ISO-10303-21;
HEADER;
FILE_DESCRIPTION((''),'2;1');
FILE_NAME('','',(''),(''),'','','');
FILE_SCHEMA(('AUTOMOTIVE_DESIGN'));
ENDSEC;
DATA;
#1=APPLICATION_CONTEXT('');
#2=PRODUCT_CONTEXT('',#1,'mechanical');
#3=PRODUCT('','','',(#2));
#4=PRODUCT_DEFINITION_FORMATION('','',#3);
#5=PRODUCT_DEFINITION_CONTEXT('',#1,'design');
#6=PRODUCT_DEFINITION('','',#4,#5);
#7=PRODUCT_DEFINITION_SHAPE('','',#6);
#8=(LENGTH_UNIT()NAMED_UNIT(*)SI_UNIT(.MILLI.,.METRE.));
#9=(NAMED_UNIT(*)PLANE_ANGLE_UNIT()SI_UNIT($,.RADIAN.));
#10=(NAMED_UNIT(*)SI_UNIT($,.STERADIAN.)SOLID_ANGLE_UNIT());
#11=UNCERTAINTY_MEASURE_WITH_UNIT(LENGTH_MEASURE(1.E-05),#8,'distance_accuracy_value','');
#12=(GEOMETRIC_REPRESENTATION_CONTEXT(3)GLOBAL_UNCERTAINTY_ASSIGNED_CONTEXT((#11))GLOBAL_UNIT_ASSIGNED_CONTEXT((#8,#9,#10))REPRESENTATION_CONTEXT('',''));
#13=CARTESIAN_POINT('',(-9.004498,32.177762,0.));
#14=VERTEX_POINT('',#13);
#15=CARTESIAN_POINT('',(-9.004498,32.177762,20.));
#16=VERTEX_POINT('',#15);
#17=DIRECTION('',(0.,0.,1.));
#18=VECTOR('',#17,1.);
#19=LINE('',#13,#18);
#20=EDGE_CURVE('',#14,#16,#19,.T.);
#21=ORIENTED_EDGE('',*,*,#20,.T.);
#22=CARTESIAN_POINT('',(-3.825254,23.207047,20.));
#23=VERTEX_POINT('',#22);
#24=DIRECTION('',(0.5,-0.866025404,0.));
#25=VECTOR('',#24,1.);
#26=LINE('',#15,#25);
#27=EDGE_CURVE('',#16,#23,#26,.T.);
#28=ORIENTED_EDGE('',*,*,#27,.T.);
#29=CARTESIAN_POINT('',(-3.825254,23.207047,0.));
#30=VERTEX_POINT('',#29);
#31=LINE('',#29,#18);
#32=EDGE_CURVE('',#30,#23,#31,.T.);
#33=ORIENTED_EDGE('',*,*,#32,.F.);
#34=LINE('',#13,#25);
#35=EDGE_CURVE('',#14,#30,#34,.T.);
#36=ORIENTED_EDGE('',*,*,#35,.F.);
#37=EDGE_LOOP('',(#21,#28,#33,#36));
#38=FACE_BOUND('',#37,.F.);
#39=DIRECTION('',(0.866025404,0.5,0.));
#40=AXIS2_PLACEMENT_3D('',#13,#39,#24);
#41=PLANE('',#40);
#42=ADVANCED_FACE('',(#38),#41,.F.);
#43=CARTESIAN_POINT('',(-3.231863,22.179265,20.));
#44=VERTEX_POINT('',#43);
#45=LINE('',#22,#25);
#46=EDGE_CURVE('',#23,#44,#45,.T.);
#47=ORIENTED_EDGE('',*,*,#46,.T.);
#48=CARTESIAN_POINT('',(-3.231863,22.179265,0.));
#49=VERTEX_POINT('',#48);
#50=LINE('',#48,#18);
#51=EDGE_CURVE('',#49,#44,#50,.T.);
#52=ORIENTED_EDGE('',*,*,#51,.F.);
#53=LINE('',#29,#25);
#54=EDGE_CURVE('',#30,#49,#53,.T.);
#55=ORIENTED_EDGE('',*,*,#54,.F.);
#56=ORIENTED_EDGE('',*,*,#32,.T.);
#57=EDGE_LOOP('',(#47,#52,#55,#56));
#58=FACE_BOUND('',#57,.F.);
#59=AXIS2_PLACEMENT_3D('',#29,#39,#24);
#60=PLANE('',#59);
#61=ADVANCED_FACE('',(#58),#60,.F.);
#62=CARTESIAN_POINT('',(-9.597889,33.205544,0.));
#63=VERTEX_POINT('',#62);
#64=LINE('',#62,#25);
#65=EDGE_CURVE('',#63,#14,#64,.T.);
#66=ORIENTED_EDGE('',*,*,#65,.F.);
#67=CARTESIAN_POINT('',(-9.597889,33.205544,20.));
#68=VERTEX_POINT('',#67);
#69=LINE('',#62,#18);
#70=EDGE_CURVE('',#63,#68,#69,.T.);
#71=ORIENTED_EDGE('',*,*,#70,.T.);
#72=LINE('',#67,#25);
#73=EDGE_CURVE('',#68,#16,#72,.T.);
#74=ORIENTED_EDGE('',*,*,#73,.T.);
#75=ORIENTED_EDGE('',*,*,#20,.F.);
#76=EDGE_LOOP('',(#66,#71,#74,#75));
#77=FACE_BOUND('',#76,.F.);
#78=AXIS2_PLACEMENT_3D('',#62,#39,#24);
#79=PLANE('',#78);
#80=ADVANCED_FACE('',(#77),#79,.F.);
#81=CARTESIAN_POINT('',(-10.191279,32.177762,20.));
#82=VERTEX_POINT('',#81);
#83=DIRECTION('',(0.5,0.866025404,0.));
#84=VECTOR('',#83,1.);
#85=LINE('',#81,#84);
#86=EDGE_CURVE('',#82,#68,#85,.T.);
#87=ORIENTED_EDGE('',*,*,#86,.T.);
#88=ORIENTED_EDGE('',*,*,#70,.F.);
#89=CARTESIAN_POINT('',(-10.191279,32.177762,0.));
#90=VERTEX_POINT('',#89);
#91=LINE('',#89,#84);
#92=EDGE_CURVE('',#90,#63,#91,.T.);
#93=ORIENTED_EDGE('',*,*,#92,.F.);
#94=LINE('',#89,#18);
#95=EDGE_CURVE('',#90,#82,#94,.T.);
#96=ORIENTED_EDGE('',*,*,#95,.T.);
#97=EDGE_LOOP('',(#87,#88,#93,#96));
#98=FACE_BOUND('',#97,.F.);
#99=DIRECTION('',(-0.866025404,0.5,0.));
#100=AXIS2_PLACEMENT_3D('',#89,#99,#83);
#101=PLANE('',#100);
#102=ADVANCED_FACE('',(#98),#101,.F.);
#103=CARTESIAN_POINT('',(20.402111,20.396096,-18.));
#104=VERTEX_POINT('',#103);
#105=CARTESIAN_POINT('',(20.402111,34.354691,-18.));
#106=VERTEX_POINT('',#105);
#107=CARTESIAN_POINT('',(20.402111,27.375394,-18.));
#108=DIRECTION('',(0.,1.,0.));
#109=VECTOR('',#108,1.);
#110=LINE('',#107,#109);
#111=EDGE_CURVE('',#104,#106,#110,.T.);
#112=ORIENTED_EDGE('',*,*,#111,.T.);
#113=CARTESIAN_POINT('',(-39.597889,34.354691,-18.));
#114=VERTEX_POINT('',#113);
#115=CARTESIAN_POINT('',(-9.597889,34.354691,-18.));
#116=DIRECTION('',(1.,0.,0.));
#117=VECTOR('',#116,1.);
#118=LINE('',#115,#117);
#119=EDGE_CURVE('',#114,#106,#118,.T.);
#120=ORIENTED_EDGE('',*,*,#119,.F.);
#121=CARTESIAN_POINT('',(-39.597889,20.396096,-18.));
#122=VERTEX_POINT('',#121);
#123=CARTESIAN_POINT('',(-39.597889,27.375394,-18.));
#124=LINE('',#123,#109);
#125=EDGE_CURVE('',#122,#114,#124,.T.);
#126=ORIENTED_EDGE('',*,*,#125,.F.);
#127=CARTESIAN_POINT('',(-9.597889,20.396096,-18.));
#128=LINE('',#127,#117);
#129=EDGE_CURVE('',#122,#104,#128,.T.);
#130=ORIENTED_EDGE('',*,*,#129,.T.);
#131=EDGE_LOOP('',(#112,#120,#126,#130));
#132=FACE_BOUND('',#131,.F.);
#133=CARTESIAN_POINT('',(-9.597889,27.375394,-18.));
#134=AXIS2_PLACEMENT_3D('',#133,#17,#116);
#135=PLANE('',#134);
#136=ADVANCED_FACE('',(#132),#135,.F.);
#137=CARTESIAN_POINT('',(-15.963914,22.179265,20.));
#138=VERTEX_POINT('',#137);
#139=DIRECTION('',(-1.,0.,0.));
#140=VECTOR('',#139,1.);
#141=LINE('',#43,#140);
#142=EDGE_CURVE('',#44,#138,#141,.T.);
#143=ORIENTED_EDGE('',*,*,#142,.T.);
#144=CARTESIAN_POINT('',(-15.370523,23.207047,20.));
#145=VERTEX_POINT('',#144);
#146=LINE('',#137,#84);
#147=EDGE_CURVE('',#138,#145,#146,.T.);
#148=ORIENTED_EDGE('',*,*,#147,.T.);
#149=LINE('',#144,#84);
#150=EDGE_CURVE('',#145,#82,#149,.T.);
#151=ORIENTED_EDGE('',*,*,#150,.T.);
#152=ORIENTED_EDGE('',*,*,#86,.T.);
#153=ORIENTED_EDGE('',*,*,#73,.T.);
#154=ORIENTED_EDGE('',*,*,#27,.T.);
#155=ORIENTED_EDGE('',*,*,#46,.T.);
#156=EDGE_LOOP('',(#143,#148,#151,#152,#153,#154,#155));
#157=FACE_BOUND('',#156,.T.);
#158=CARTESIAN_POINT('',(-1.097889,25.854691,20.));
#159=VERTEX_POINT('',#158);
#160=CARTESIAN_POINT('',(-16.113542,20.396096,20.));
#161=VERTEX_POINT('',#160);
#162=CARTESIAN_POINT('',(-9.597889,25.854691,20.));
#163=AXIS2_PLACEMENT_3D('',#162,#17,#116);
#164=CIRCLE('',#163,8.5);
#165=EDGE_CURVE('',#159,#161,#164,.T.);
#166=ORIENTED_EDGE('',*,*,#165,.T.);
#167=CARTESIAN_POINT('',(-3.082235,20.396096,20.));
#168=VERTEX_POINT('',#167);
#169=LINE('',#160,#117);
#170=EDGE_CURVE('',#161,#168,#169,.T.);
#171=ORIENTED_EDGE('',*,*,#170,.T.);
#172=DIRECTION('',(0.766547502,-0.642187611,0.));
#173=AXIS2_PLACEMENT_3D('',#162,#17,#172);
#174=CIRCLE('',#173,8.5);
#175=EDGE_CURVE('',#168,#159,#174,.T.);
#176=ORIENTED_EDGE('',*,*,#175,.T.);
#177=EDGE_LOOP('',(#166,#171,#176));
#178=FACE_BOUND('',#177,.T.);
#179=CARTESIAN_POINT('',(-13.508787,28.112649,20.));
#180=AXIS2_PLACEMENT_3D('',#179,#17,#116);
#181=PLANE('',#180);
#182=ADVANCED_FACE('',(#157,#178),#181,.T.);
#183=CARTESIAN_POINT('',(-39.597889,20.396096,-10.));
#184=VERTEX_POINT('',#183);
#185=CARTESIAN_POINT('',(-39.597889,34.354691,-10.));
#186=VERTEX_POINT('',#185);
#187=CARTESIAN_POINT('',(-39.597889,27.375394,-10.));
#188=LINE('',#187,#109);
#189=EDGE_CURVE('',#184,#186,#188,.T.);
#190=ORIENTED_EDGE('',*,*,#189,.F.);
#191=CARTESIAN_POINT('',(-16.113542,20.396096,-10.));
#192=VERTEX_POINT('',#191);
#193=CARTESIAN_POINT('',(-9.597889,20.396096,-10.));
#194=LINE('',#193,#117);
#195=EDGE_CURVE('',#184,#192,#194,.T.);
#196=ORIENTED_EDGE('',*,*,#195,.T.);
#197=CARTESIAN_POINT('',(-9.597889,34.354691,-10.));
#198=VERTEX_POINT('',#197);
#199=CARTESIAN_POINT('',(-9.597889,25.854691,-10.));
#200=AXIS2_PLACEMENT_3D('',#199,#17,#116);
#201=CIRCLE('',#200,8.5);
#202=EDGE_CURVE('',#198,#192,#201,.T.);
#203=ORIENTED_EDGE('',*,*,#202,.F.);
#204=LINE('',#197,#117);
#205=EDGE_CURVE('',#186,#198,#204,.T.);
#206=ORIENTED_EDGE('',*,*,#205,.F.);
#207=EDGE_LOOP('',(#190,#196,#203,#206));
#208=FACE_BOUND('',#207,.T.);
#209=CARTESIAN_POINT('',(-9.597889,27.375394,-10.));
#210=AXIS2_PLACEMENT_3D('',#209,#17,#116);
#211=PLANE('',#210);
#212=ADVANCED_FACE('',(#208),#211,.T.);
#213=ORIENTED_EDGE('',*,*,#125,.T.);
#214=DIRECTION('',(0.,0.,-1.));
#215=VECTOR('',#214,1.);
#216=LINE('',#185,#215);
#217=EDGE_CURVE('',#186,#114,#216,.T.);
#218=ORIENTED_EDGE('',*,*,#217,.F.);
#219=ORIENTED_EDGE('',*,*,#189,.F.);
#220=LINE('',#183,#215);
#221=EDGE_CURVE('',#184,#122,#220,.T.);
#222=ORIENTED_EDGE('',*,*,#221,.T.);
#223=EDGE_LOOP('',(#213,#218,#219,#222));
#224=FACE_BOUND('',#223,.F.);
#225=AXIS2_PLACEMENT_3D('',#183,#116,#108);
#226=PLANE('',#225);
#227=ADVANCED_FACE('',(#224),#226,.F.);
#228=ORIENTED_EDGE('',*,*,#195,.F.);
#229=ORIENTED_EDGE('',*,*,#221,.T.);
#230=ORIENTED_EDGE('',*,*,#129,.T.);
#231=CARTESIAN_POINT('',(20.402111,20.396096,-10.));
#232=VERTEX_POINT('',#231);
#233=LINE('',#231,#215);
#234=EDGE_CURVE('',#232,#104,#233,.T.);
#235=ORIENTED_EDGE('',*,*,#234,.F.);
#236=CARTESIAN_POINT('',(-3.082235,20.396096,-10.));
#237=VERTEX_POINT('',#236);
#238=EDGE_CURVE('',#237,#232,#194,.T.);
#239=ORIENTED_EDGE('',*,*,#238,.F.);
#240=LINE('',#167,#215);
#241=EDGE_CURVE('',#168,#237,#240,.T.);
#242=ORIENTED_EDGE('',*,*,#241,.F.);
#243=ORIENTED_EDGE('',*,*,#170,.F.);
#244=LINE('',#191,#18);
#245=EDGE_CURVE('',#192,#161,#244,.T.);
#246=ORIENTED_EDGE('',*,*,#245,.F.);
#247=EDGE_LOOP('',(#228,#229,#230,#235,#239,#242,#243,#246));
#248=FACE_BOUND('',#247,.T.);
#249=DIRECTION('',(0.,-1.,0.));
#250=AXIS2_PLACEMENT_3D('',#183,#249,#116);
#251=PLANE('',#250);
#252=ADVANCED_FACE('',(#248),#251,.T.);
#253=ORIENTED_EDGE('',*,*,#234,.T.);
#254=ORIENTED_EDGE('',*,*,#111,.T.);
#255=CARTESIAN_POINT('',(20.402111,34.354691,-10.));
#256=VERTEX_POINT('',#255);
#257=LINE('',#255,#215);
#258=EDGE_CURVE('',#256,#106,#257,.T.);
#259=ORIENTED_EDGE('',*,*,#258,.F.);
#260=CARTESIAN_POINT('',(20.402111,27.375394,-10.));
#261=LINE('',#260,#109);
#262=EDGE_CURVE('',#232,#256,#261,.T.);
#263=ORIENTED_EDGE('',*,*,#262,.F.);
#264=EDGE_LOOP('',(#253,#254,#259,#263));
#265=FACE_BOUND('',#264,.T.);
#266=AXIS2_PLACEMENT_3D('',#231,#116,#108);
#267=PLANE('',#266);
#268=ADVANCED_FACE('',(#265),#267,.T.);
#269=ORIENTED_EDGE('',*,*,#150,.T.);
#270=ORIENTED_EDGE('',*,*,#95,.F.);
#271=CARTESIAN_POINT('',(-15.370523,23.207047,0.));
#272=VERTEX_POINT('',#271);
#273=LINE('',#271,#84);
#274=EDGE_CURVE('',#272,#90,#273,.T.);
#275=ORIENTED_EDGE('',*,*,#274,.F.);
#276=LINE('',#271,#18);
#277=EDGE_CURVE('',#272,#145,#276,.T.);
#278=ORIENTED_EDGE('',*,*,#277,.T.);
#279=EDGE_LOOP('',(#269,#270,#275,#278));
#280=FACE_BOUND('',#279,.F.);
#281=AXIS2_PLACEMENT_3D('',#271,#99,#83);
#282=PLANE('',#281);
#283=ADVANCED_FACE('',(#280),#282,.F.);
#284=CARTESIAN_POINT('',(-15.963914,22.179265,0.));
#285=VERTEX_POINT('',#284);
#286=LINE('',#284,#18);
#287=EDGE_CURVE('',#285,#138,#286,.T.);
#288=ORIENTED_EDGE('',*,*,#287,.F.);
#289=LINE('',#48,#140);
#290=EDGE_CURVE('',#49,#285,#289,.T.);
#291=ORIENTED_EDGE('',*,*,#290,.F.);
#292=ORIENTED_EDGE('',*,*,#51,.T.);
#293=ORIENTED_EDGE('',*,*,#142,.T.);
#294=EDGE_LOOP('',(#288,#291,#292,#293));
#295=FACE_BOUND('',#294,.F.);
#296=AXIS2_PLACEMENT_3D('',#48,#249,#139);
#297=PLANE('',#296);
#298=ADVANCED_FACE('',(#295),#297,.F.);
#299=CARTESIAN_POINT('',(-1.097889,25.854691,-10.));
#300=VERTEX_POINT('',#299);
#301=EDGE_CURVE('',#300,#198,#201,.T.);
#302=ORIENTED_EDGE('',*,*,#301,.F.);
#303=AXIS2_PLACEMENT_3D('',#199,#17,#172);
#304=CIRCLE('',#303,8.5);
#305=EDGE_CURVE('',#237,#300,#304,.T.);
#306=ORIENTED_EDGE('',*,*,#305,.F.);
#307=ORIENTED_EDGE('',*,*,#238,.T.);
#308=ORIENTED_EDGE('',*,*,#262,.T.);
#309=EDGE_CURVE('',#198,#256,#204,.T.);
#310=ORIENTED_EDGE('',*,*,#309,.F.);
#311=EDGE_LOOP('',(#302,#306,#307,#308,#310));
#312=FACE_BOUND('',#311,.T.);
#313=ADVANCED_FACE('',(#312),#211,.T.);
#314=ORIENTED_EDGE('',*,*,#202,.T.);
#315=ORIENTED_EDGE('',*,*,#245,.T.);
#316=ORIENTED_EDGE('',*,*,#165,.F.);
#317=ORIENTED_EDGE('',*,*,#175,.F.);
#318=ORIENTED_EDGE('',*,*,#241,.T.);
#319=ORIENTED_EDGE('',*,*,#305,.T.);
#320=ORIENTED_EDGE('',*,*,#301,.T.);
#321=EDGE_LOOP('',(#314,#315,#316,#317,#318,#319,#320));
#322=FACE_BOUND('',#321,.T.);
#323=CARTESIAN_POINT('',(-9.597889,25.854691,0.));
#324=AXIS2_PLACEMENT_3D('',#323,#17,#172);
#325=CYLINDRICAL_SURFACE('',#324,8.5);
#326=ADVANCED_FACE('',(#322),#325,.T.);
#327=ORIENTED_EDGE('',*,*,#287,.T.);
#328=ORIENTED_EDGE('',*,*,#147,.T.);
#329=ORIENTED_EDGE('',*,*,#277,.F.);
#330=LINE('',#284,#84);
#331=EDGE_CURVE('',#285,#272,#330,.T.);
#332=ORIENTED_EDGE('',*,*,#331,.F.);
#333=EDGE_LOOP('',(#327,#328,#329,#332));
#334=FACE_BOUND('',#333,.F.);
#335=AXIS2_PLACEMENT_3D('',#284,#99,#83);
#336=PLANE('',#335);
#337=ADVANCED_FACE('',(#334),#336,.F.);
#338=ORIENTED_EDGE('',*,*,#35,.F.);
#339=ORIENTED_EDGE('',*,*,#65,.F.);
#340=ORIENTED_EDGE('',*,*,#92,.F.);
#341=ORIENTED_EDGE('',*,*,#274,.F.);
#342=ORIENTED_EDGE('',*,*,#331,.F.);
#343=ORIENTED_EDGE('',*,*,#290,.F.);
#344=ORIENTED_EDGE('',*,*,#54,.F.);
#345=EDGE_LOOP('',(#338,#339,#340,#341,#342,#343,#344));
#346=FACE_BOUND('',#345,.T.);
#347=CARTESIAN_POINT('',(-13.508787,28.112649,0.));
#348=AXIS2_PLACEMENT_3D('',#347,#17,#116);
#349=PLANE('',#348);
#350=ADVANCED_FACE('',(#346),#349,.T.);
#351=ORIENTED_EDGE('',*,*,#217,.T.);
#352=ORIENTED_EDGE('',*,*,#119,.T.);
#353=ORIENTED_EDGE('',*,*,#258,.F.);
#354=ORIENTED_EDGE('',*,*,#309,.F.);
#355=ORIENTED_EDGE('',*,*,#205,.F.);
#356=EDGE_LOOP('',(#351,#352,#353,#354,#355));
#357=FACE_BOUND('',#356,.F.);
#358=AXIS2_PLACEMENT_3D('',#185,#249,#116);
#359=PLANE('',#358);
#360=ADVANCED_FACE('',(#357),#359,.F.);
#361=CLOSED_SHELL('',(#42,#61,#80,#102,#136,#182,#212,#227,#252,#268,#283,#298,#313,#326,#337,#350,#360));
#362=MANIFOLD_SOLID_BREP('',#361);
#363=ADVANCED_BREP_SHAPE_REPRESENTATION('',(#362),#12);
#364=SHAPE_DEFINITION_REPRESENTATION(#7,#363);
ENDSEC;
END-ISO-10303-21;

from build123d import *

# Parameters (mm, degrees)
F1_DEPTH = 20
F3_DEPTH = 10
F4_START = -10
F2_W     = 60
F2_H     = 13.958594691
F4_DEPTH = 8


with BuildPart() as f1:
    # F0 (on Top) → F1 (new body)
    with BuildSketch(Plane.XY):
        with BuildLine():
            ThreePointArc((-10.1912790055, 32.1777615839), (-15.0978885502, 29.0301175207), (-15.3705234986, 23.207046977))
            Line((-15.3705234986, 23.207046977), (-10.1912790055, 32.1777615839))
        make_face()
        with BuildLine():
            ThreePointArc((-3.2470355891, 25.8546910402), (-4.9020463007, 30.130483236), (-9.0044980948, 32.1777615839))
            Line((-9.0044980948, 32.1777615839), (-3.8252536017, 23.207046977))
            ThreePointArc((-3.8252536017, 23.207046977), (-3.3932737721, 24.4996675021), (-3.2470355891, 25.8546910402))
        make_face()
        with BuildLine():
            Line((-15.9639139539, 22.1792645596), (-15.3705234986, 23.207046977))
            ThreePointArc((-15.3705234986, 23.207046977), (-15.0978885502, 29.0301175207), (-10.1912790055, 32.1777615839))
            Line((-10.1912790055, 32.1777615839), (-9.5978885502, 33.2055440013))
            Line((-9.5978885502, 33.2055440013), (-9.0044980948, 32.1777615839))
            ThreePointArc((-9.0044980948, 32.1777615839), (-4.9020463007, 30.130483236), (-3.2470355891, 25.8546910402))
            ThreePointArc((-3.2470355891, 25.8546910402), (-3.3932737721, 24.4996675021), (-3.8252536017, 23.207046977))
            Line((-3.8252536017, 23.207046977), (-3.2318631464, 22.1792645596))
            Line((-3.2318631464, 22.1792645596), (-4.418644057, 22.1792645596))
            ThreePointArc((-4.418644057, 22.1792645596), (-5.2919075177, 21.1865157348), (-6.351802086, 20.3960963492))
            Line((-6.351802086, 20.3960963492), (-3.0822347841, 20.3960963492))
            ThreePointArc((-3.0822347841, 20.3960963492), (-1.6093637486, 22.9506470505), (-1.0978885502, 25.8546910402))
            ThreePointArc((-1.0978885502, 25.8546910402), (-12.5019325399, 33.8432158418), (-16.1135423163, 20.3960963492))
            Line((-16.1135423163, 20.3960963492), (-12.8439750143, 20.3960963492))
            ThreePointArc((-12.8439750143, 20.3960963492), (-13.9038695826, 21.1865157348), (-14.7771330433, 22.1792645596))
            Line((-14.7771330433, 22.1792645596), (-15.9639139539, 22.1792645596))
        make_face()
        with BuildLine():
            Line((-4.418644057, 22.1792645596), (-14.7771330433, 22.1792645596))
            ThreePointArc((-14.7771330433, 22.1792645596), (-13.9038695826, 21.1865157348), (-12.8439750143, 20.3960963492))
            Line((-12.8439750143, 20.3960963492), (-6.351802086, 20.3960963492))
            ThreePointArc((-6.351802086, 20.3960963492), (-5.2919075177, 21.1865157348), (-4.418644057, 22.1792645596))
        make_face()
    extrude(amount=F1_DEPTH)

    # F0 (on Top) → F3 (join)
    with BuildSketch(Plane.XY):
        with BuildLine():
            ThreePointArc((-10.1912790055, 32.1777615839), (-15.0978885502, 29.0301175207), (-15.3705234986, 23.207046977))
            Line((-15.3705234986, 23.207046977), (-10.1912790055, 32.1777615839))
        make_face()
        Polygon((-9.5978885502, 32.2055440013), (-15.0978885502, 22.6792645596), (-4.0978885502, 22.6792645596), align=None)
        with BuildLine():
            ThreePointArc((-10.1912790055, 32.1777615839), (-9.8949087916, 32.1985945947), (-9.5978885502, 32.2055440013))
            ThreePointArc((-9.5978885502, 32.2055440013), (-9.3008683088, 32.1985945947), (-9.0044980948, 32.1777615839))
            Line((-9.0044980948, 32.1777615839), (-9.5978885502, 33.2055440013))
            Line((-9.5978885502, 33.2055440013), (-10.1912790055, 32.1777615839))
        make_face()
        with BuildLine():
            ThreePointArc((-15.3705234986, 23.207046977), (-15.2403803083, 22.9399663374), (-15.0978885502, 22.6792645596))
            Line((-15.0978885502, 22.6792645596), (-9.5978885502, 32.2055440013))
            ThreePointArc((-9.5978885502, 32.2055440013), (-9.8949087916, 32.1985945947), (-10.1912790055, 32.1777615839))
            Line((-10.1912790055, 32.1777615839), (-15.3705234986, 23.207046977))
        make_face()
        with BuildLine():
            ThreePointArc((-14.7771330433, 22.1792645596), (-14.9433600669, 22.4255121884), (-15.0978885502, 22.6792645596))
            ThreePointArc((-15.0978885502, 22.6792645596), (-15.2403803083, 22.9399663374), (-15.3705234986, 23.207046977))
            Line((-15.3705234986, 23.207046977), (-15.9639139539, 22.1792645596))
            Line((-15.9639139539, 22.1792645596), (-14.7771330433, 22.1792645596))
        make_face()
        with BuildLine():
            Line((-15.9639139539, 22.1792645596), (-15.3705234986, 23.207046977))
            ThreePointArc((-15.3705234986, 23.207046977), (-15.0978885502, 29.0301175207), (-10.1912790055, 32.1777615839))
            Line((-10.1912790055, 32.1777615839), (-9.5978885502, 33.2055440013))
            Line((-9.5978885502, 33.2055440013), (-9.0044980948, 32.1777615839))
            ThreePointArc((-9.0044980948, 32.1777615839), (-4.9020463007, 30.130483236), (-3.2470355891, 25.8546910402))
            ThreePointArc((-3.2470355891, 25.8546910402), (-3.3932737721, 24.4996675021), (-3.8252536017, 23.207046977))
            Line((-3.8252536017, 23.207046977), (-3.2318631464, 22.1792645596))
            Line((-3.2318631464, 22.1792645596), (-4.418644057, 22.1792645596))
            ThreePointArc((-4.418644057, 22.1792645596), (-5.2919075177, 21.1865157348), (-6.351802086, 20.3960963492))
            Line((-6.351802086, 20.3960963492), (-3.0822347841, 20.3960963492))
            ThreePointArc((-3.0822347841, 20.3960963492), (-1.6093637486, 22.9506470505), (-1.0978885502, 25.8546910402))
            ThreePointArc((-1.0978885502, 25.8546910402), (-12.5019325399, 33.8432158418), (-16.1135423163, 20.3960963492))
            Line((-16.1135423163, 20.3960963492), (-12.8439750143, 20.3960963492))
            ThreePointArc((-12.8439750143, 20.3960963492), (-13.9038695826, 21.1865157348), (-14.7771330433, 22.1792645596))
            Line((-14.7771330433, 22.1792645596), (-15.9639139539, 22.1792645596))
        make_face()
        with BuildLine():
            Line((-4.418644057, 22.1792645596), (-14.7771330433, 22.1792645596))
            ThreePointArc((-14.7771330433, 22.1792645596), (-13.9038695826, 21.1865157348), (-12.8439750143, 20.3960963492))
            Line((-12.8439750143, 20.3960963492), (-6.351802086, 20.3960963492))
            ThreePointArc((-6.351802086, 20.3960963492), (-5.2919075177, 21.1865157348), (-4.418644057, 22.1792645596))
        make_face()
        with BuildLine():
            ThreePointArc((-3.2470355891, 25.8546910402), (-4.9020463007, 30.130483236), (-9.0044980948, 32.1777615839))
            Line((-9.0044980948, 32.1777615839), (-3.8252536017, 23.207046977))
            ThreePointArc((-3.8252536017, 23.207046977), (-3.3932737721, 24.4996675021), (-3.2470355891, 25.8546910402))
        make_face()
        with BuildLine():
            ThreePointArc((-9.0044980948, 32.1777615839), (-9.3008683088, 32.1985945947), (-9.5978885502, 32.2055440013))
            Line((-9.5978885502, 32.2055440013), (-4.0978885502, 22.6792645596))
            ThreePointArc((-4.0978885502, 22.6792645596), (-3.9553967921, 22.9399663374), (-3.8252536017, 23.207046977))
            Line((-3.8252536017, 23.207046977), (-9.0044980948, 32.1777615839))
        make_face()
        with BuildLine():
            Line((-4.0978885502, 22.6792645596), (-15.0978885502, 22.6792645596))
            ThreePointArc((-15.0978885502, 22.6792645596), (-14.9433600669, 22.4255121884), (-14.7771330433, 22.1792645596))
            Line((-14.7771330433, 22.1792645596), (-4.418644057, 22.1792645596))
            ThreePointArc((-4.418644057, 22.1792645596), (-4.2524170335, 22.4255121884), (-4.0978885502, 22.6792645596))
        make_face()
        with BuildLine():
            ThreePointArc((-3.8252536017, 23.207046977), (-3.9553967921, 22.9399663374), (-4.0978885502, 22.6792645596))
            ThreePointArc((-4.0978885502, 22.6792645596), (-4.2524170335, 22.4255121884), (-4.418644057, 22.1792645596))
            Line((-4.418644057, 22.1792645596), (-3.2318631464, 22.1792645596))
            Line((-3.2318631464, 22.1792645596), (-3.8252536017, 23.207046977))
        make_face()
    extrude(amount=-F3_DEPTH)

    # F2 (on Top) → F4 (join)
    with BuildSketch(Plane.XY.offset(F4_START)):
        with Locations((-9.5978885502, 27.3753936947)):
            Rectangle(F2_W, F2_H)
    extrude(amount=-F4_DEPTH)


solid = f1.part
